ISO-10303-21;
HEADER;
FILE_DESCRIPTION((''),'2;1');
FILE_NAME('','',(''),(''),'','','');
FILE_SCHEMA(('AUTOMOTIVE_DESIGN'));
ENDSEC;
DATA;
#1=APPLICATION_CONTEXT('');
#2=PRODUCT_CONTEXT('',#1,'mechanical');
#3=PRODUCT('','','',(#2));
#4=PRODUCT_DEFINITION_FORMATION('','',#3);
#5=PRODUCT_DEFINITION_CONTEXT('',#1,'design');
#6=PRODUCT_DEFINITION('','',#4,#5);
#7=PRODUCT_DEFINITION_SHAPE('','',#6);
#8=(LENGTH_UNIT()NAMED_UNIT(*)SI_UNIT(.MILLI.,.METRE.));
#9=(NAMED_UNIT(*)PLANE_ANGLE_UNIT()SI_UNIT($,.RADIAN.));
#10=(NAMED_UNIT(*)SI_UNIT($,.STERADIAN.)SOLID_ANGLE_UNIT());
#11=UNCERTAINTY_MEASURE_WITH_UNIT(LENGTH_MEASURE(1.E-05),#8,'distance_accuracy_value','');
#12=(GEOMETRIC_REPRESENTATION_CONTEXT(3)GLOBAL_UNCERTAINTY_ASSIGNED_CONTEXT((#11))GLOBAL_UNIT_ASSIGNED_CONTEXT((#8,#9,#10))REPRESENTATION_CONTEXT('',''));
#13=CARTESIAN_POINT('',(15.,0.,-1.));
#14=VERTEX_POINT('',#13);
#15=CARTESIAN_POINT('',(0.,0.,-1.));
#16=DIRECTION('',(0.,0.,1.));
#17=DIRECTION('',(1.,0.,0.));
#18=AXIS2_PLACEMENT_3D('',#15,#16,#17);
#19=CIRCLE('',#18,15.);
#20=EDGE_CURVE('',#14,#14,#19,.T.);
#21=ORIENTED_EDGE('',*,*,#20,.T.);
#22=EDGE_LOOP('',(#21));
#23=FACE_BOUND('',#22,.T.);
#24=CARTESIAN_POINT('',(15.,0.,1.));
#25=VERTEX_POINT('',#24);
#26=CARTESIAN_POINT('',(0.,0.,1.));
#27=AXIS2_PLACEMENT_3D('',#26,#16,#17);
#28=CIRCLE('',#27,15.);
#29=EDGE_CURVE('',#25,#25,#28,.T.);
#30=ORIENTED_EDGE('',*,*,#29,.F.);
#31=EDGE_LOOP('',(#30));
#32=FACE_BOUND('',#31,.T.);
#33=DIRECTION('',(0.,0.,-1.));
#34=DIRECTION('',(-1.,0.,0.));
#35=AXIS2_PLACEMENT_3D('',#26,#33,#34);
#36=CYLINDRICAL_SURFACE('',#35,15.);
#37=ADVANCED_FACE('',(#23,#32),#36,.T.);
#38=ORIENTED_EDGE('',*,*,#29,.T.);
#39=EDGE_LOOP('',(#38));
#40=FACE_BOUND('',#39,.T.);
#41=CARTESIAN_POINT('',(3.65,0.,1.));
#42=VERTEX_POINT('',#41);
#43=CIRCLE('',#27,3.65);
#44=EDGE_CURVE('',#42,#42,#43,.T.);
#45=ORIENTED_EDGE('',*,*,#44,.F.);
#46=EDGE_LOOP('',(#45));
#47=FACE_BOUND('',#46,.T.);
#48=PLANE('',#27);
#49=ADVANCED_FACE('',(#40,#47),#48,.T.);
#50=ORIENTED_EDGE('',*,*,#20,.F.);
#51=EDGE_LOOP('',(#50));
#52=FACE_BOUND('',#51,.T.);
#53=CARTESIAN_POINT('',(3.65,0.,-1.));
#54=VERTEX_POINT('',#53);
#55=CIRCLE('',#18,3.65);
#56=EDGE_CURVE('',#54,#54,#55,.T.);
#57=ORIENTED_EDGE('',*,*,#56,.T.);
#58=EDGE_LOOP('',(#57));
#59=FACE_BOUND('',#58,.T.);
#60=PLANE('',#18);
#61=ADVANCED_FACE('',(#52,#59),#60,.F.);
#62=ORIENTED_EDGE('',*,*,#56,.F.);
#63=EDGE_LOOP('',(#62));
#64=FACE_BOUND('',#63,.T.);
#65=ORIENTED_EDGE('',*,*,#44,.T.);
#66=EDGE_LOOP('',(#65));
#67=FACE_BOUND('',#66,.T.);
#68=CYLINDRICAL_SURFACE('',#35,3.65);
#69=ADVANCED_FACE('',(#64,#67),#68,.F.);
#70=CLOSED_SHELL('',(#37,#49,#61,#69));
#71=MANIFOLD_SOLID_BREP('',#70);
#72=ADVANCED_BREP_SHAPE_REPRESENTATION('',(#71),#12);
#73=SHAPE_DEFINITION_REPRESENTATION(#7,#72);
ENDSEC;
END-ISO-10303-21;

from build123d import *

# Parameters (mm, degrees)
CROQUIS1_R              = 15
CROQUIS1_R_2            = 3.65
SALIENTE_EXTRUIR1_DEPTH = 1


with BuildPart() as part:
    # Croquis1 → Saliente-Extruir1 (new, symmetric)
    with BuildSketch(Plane.XY):
        Circle(CROQUIS1_R)
        Circle(CROQUIS1_R_2, mode=Mode.SUBTRACT)
    extrude(amount=SALIENTE_EXTRUIR1_DEPTH, both=True)


solid = part.part
